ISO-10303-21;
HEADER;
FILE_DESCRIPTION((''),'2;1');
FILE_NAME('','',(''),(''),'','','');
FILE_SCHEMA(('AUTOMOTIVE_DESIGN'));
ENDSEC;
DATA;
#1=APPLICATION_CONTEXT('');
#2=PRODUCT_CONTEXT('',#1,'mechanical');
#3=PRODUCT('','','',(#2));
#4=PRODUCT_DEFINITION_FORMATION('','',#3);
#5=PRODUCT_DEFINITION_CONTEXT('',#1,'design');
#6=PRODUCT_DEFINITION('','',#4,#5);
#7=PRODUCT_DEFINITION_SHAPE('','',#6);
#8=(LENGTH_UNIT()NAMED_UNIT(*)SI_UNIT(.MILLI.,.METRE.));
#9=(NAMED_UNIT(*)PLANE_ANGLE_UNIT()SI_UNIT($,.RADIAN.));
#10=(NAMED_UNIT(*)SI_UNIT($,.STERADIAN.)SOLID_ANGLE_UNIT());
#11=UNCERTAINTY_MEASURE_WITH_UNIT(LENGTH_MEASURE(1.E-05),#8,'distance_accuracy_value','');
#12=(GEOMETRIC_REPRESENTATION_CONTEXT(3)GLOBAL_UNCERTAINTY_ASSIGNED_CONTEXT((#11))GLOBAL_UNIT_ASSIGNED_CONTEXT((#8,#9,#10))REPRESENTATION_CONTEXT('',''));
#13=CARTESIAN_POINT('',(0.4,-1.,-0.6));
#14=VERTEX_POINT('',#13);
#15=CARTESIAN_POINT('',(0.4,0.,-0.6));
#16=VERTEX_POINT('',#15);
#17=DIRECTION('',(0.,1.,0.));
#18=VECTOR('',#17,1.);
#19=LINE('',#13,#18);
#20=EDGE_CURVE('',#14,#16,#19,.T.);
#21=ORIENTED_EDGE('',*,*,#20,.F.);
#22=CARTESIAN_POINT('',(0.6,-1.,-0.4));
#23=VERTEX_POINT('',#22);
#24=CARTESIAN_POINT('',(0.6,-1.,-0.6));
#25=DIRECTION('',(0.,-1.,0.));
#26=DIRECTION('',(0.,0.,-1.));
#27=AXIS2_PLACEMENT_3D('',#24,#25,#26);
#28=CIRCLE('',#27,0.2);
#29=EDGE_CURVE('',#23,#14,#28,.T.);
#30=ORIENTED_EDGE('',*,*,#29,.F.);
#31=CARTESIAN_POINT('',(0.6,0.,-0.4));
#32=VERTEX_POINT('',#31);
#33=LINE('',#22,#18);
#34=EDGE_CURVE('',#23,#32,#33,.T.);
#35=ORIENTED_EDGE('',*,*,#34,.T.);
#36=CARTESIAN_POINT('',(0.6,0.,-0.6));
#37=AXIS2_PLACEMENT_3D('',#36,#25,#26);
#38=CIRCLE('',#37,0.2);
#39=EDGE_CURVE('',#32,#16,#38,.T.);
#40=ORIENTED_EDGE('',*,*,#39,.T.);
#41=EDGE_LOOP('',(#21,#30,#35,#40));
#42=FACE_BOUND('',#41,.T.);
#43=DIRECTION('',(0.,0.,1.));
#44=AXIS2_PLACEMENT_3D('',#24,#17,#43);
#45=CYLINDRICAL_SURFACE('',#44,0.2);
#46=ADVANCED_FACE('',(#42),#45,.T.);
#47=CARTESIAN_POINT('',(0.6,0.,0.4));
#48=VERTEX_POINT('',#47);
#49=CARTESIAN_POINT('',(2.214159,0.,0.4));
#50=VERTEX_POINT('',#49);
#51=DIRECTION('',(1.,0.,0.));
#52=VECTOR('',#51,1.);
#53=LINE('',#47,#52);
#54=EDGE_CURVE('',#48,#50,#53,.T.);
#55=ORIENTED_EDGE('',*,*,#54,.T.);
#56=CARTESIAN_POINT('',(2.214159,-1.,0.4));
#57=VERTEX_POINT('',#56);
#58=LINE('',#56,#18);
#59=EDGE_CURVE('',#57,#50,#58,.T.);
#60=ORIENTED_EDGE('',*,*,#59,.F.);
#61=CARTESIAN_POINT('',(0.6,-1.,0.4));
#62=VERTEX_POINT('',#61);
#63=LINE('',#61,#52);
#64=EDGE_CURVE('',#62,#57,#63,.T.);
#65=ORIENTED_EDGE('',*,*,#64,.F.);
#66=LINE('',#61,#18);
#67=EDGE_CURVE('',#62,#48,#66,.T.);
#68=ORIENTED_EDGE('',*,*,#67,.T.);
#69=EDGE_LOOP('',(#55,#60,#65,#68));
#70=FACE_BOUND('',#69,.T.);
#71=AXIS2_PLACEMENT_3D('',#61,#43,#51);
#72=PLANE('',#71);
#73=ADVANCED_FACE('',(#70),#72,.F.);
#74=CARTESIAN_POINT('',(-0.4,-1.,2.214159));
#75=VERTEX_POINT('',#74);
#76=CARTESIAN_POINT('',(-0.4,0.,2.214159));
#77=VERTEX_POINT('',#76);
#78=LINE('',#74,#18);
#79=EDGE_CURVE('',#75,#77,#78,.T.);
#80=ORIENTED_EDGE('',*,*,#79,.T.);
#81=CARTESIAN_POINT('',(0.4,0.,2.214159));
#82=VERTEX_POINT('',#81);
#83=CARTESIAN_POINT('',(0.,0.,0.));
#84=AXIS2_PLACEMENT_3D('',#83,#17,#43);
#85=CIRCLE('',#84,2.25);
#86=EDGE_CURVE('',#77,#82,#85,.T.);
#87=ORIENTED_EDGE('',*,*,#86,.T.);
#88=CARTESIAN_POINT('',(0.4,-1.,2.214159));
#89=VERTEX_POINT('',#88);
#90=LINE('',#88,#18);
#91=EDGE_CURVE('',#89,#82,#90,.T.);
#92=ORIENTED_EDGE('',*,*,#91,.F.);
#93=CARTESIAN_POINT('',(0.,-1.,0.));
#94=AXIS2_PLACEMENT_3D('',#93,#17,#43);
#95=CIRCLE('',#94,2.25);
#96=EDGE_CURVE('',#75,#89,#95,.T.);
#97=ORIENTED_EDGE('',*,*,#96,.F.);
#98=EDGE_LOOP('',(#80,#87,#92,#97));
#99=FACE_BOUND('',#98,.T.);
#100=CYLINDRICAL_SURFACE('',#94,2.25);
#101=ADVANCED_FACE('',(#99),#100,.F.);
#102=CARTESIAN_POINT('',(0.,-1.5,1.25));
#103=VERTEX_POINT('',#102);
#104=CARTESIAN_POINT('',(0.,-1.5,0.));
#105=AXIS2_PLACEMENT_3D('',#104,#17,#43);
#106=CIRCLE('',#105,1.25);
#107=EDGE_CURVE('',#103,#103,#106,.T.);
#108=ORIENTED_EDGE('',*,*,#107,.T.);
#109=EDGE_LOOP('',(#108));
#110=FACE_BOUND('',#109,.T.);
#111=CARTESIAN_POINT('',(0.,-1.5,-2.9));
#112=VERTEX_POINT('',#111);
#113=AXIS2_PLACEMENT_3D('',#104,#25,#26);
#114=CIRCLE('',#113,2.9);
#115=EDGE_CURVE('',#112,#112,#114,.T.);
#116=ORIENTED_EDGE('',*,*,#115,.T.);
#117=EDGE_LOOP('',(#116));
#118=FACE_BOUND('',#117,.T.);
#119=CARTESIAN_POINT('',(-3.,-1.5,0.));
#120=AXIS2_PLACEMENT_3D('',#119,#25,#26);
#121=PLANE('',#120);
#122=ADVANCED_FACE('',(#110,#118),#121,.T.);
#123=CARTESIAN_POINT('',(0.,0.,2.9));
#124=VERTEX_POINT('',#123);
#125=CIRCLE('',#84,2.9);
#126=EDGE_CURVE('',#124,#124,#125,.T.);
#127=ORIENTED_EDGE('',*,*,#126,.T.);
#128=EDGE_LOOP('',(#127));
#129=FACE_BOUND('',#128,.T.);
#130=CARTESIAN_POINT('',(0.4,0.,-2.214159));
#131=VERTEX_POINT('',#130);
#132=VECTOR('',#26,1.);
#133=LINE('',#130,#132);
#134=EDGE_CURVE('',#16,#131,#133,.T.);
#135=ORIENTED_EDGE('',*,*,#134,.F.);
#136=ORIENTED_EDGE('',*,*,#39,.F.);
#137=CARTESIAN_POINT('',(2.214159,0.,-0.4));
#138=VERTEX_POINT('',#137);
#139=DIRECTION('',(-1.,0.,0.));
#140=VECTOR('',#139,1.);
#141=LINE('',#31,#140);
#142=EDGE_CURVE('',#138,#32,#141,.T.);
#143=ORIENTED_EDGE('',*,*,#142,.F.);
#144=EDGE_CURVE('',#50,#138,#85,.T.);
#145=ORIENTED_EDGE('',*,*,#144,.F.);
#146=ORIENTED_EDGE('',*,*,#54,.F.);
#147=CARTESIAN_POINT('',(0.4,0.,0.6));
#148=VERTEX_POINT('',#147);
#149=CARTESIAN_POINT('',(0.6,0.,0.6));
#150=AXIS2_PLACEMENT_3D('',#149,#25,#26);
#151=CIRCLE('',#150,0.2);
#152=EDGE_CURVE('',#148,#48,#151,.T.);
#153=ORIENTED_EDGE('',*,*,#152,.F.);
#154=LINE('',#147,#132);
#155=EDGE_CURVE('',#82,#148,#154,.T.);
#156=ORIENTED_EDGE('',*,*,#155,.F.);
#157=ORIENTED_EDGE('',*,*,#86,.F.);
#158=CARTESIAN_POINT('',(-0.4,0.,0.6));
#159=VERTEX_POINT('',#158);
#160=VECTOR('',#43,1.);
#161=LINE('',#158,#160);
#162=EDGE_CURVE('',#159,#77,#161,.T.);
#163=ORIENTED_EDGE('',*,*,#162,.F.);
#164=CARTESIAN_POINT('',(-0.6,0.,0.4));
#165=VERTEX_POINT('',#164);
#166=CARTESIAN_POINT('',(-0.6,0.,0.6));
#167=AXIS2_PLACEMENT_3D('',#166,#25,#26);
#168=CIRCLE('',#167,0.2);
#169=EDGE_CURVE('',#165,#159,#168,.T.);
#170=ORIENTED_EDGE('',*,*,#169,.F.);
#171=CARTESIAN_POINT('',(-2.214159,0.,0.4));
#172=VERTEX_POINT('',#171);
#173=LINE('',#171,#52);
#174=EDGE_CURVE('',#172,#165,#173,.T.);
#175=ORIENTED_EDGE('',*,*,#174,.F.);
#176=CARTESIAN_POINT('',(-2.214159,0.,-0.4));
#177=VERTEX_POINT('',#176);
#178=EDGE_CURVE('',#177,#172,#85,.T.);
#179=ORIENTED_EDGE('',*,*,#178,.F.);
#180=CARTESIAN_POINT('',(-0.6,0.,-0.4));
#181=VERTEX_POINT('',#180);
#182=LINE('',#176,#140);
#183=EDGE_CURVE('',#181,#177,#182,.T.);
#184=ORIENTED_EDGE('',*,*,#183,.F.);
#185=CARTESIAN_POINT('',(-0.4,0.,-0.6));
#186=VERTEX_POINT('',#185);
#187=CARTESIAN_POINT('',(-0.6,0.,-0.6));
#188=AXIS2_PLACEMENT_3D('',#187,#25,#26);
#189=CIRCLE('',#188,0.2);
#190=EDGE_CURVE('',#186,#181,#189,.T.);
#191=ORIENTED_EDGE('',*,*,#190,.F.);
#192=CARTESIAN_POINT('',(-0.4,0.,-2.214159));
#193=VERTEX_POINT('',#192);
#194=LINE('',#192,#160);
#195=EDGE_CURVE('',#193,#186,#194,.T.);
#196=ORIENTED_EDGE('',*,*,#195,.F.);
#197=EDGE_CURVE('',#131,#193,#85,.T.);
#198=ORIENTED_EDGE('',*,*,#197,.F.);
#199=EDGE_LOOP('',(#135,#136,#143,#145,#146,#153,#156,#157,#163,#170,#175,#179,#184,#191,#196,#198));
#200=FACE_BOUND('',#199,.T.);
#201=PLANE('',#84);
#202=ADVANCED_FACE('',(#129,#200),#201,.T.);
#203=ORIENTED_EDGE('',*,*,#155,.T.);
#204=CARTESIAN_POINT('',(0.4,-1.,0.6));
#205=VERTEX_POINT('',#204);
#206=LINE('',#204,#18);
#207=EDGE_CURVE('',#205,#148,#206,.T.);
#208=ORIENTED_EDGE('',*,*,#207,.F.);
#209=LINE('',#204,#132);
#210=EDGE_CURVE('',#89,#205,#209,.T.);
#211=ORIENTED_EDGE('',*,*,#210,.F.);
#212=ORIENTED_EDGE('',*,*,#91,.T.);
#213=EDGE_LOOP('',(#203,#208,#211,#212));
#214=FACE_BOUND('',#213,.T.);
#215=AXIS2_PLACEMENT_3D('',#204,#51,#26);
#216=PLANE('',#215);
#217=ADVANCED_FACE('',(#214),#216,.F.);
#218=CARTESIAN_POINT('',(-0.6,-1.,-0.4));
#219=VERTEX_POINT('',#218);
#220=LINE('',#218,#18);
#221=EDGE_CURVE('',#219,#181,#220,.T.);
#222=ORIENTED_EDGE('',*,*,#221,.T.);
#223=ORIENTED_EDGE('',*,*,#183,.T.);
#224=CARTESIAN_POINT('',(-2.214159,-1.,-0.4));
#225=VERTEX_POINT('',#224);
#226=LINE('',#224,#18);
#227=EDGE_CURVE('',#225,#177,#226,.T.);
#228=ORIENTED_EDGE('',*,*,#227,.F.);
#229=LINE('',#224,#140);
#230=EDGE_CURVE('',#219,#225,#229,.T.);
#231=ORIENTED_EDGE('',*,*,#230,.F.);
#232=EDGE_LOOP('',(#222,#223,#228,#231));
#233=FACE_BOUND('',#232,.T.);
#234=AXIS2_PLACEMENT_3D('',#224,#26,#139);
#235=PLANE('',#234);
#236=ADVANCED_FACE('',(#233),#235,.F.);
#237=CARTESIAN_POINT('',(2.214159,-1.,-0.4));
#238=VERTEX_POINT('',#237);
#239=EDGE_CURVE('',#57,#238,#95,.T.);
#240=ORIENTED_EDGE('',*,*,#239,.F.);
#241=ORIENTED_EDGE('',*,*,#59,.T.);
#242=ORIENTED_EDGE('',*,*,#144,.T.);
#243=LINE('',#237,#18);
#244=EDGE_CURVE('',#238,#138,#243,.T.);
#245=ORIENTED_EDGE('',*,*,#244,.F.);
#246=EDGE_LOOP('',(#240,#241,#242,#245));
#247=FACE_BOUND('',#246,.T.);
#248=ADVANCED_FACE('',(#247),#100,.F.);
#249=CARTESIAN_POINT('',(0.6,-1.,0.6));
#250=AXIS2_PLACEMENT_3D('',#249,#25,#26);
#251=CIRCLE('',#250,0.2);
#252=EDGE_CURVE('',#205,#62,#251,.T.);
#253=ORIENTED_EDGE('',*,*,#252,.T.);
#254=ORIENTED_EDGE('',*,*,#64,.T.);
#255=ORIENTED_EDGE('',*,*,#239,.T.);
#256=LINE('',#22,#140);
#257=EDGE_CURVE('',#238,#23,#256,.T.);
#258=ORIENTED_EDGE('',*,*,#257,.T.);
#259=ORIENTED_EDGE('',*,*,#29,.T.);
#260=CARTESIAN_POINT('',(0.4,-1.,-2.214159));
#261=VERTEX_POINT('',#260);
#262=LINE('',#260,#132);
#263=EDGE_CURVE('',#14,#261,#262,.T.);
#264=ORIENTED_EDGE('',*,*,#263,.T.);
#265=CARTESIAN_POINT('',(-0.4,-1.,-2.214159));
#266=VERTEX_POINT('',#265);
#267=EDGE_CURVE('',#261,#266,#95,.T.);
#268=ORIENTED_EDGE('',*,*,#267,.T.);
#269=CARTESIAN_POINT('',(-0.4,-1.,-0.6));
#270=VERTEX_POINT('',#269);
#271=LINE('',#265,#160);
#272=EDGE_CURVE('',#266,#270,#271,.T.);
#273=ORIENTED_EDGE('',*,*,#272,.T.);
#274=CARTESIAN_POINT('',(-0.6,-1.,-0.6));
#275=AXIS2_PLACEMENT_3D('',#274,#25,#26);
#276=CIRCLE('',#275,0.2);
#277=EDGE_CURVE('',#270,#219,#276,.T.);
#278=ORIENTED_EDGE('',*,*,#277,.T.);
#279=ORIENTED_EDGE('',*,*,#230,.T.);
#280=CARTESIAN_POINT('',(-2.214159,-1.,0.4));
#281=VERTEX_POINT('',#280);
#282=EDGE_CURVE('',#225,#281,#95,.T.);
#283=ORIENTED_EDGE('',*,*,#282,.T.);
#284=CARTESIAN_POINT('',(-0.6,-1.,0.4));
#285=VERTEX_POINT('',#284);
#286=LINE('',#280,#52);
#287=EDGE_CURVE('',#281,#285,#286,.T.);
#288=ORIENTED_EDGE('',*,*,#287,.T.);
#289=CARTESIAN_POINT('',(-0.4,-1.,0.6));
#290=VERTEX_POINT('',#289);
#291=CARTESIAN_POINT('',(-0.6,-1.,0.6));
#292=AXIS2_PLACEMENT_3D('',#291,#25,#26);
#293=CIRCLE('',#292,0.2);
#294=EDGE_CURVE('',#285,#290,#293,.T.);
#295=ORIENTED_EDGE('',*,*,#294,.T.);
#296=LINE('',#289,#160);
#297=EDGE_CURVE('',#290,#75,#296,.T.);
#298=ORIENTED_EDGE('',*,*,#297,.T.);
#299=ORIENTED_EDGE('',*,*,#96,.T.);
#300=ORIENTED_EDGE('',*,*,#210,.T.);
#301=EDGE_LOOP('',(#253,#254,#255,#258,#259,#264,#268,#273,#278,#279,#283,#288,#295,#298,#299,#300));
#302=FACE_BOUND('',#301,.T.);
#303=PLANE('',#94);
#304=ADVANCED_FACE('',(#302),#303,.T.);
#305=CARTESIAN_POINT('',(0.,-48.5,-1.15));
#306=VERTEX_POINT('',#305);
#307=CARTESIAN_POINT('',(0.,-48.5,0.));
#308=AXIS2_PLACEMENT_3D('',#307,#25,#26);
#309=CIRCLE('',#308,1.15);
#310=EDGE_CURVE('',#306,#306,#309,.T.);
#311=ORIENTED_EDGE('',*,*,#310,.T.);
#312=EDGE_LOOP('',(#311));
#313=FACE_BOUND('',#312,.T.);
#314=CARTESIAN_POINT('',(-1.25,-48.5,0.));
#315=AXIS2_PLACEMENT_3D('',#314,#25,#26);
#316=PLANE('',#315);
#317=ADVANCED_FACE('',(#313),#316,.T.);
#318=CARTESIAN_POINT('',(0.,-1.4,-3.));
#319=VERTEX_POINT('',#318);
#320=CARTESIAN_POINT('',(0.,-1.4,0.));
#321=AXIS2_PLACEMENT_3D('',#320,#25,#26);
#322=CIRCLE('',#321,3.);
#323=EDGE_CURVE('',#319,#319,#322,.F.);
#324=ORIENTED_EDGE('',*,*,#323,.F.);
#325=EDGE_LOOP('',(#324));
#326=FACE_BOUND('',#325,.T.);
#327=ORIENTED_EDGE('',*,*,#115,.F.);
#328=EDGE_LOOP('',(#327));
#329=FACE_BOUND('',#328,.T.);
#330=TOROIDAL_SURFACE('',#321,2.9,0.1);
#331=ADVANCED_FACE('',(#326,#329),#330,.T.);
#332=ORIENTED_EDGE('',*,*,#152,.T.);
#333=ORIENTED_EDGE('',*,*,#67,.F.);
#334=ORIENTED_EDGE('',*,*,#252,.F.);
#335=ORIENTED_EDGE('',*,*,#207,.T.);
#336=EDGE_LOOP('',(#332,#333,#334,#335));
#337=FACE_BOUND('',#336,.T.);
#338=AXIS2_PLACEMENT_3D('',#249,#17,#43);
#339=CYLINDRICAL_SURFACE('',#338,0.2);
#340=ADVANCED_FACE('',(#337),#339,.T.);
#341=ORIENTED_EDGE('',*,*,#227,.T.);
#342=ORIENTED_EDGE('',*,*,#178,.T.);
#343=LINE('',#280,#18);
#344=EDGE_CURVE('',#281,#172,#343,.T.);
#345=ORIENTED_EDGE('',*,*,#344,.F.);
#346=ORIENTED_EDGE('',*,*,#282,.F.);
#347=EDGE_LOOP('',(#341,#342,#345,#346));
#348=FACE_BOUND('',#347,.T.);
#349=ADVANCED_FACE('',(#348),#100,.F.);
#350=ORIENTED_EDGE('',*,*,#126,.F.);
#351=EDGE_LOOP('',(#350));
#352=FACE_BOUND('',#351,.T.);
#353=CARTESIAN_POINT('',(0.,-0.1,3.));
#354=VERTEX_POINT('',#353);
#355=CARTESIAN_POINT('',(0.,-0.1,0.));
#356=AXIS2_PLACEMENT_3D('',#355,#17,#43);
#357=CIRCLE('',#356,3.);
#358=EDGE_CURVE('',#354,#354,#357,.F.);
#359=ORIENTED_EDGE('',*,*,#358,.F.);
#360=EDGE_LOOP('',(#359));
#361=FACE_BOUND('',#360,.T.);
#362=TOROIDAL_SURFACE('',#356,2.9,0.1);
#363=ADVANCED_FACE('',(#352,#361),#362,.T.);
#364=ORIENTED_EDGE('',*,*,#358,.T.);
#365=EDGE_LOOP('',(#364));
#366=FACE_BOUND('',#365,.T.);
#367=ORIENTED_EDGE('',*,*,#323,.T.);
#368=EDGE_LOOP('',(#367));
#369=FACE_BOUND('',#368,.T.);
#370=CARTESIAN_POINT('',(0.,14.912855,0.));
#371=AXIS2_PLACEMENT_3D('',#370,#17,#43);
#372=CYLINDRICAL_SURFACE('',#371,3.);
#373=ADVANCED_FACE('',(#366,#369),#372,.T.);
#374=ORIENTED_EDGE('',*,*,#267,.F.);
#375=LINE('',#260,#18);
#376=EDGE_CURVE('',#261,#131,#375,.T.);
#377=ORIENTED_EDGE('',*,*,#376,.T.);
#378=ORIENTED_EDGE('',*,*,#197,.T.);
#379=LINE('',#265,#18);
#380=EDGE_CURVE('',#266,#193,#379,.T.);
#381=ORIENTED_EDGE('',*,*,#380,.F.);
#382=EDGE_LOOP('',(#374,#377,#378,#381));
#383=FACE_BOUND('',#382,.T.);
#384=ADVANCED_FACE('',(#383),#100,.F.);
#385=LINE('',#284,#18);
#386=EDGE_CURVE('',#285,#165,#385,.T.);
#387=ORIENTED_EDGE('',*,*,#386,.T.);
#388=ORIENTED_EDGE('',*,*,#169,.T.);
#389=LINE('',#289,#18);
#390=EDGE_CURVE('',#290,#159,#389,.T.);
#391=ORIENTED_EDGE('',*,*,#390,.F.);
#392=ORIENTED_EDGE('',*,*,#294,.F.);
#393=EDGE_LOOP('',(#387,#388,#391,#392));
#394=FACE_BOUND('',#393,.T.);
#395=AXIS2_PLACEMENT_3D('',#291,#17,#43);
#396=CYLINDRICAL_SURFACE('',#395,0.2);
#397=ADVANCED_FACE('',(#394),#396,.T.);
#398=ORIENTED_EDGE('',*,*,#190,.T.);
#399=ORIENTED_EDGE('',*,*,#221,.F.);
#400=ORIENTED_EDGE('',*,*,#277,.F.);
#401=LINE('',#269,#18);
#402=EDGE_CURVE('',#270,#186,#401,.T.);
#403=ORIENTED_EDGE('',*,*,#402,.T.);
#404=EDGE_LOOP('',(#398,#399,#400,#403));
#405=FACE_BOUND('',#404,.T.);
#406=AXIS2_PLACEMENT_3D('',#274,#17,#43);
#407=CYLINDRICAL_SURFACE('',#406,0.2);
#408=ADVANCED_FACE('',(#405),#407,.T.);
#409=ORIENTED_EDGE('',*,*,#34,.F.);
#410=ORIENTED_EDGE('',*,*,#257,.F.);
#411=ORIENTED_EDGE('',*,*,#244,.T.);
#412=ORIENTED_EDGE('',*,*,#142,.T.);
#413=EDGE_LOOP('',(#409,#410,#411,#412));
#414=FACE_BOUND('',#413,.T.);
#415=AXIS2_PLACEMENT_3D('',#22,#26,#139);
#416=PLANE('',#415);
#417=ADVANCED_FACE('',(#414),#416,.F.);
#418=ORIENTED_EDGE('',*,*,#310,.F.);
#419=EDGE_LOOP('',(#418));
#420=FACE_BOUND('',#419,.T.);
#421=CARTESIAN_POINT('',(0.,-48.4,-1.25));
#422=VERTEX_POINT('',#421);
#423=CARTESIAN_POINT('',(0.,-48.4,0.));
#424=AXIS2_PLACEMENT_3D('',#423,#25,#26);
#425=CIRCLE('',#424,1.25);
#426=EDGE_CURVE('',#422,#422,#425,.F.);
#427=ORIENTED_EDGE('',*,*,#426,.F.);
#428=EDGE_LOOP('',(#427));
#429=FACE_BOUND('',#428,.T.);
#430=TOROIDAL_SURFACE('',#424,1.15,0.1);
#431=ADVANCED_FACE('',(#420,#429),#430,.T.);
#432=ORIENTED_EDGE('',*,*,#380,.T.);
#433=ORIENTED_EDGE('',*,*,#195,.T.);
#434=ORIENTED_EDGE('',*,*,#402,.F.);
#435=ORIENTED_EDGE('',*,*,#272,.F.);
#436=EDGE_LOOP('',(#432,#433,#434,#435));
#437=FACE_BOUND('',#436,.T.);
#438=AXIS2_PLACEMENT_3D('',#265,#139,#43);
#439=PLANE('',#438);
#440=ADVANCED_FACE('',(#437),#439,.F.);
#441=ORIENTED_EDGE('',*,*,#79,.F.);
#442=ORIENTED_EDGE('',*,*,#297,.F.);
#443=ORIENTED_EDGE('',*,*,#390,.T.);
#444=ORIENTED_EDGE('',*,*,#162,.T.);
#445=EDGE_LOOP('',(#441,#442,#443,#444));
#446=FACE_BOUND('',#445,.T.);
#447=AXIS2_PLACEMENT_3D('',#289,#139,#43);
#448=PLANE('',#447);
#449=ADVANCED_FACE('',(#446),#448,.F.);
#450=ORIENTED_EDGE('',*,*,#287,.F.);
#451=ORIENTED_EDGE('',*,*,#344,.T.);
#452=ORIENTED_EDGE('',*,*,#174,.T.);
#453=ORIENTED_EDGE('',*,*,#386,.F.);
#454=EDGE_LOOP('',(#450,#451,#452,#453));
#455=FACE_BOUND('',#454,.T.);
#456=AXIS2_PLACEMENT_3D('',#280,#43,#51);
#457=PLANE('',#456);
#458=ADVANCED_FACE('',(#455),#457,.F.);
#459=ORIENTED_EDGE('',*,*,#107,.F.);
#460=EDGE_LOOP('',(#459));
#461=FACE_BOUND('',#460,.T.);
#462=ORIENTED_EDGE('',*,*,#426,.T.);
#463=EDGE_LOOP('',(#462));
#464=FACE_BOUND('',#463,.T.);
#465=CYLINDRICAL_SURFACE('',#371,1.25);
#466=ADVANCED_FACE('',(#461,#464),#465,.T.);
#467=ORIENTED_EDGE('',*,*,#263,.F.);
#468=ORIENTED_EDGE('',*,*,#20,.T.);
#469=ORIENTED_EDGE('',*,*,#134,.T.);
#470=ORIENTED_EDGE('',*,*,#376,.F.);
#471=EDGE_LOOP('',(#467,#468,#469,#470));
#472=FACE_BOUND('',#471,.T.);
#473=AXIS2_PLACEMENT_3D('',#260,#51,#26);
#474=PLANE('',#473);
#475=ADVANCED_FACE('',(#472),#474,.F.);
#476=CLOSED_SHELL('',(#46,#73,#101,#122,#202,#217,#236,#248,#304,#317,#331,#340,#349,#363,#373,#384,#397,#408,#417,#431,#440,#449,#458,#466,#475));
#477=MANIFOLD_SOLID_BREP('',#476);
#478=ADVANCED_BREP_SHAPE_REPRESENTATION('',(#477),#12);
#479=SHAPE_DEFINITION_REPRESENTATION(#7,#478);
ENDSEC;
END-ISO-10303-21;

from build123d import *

# Parameters (mm, degrees)
FILLET1_R          = 0.1
CUT_EXTRUDE1_DEPTH = 1


with BuildPart() as part:
    # Sketch1 → Revolve1 (revolve)
    with BuildSketch(Plane.XY, mode=Mode.PRIVATE) as revolve1_sk:
        Polygon((0, 0), (-3, 0), (-3, -1.5), (-1.25, -1.5), (-1.25, -48.5), (0, -48.5), align=None)
    revolve(revolve1_sk.sketch.rotate(Axis((0, 14.912855268, 0), (0, -1, 0)), 270), axis=Axis((0, 14.912855268, 0), (0, -1, 0)))

    # Fillet1
    fillet1_edges = [part.edges().sort_by_distance(p)[0] for p in [
        (0, -48.5, -1.25),
        (0, -1.5, -3),
        (0, 0, -3),
    ]]
    fillet(fillet1_edges, radius=FILLET1_R)

    # Sketch2 → Cut-Extrude1 (cut)
    with BuildSketch(Plane(origin=(0, 0, 0), x_dir=(1, 0, 0), z_dir=(0, 1, 0))):
        with BuildLine():
            Line((-2.214158983, -0.4), (-0.6, -0.4))
            ThreePointArc((-0.6, -0.4), (-0.458578644, -0.458578644), (-0.4, -0.6))
            Line((-0.4, -0.6), (-0.4, -2.214158983))
            ThreePointArc((-0.4, -2.214158983), (0, -2.25), (0.4, -2.214158983))
            Line((0.4, -2.214158983), (0.4, -0.6))
            ThreePointArc((0.4, -0.6), (0.458578644, -0.458578644), (0.6, -0.4))
            Line((0.6, -0.4), (2.214158983, -0.4))
            ThreePointArc((2.214158983, -0.4), (2.25, 0), (2.214158983, 0.4))
            Line((2.214158983, 0.4), (0.6, 0.4))
            ThreePointArc((0.6, 0.4), (0.458578644, 0.458578644), (0.4, 0.6))
            Line((0.4, 0.6), (0.4, 2.214158983))
            ThreePointArc((0.4, 2.214158983), (0, 2.25), (-0.4, 2.214158983))
            Line((-0.4, 2.214158983), (-0.4, 0.6))
            ThreePointArc((-0.4, 0.6), (-0.458578644, 0.458578644), (-0.6, 0.4))
            Line((-0.6, 0.4), (-2.214158983, 0.4))
            ThreePointArc((-2.214158983, 0.4), (-2.25, 0), (-2.214158983, -0.4))
        make_face()
    extrude(amount=-CUT_EXTRUDE1_DEPTH, mode=Mode.SUBTRACT)


solid = part.part
